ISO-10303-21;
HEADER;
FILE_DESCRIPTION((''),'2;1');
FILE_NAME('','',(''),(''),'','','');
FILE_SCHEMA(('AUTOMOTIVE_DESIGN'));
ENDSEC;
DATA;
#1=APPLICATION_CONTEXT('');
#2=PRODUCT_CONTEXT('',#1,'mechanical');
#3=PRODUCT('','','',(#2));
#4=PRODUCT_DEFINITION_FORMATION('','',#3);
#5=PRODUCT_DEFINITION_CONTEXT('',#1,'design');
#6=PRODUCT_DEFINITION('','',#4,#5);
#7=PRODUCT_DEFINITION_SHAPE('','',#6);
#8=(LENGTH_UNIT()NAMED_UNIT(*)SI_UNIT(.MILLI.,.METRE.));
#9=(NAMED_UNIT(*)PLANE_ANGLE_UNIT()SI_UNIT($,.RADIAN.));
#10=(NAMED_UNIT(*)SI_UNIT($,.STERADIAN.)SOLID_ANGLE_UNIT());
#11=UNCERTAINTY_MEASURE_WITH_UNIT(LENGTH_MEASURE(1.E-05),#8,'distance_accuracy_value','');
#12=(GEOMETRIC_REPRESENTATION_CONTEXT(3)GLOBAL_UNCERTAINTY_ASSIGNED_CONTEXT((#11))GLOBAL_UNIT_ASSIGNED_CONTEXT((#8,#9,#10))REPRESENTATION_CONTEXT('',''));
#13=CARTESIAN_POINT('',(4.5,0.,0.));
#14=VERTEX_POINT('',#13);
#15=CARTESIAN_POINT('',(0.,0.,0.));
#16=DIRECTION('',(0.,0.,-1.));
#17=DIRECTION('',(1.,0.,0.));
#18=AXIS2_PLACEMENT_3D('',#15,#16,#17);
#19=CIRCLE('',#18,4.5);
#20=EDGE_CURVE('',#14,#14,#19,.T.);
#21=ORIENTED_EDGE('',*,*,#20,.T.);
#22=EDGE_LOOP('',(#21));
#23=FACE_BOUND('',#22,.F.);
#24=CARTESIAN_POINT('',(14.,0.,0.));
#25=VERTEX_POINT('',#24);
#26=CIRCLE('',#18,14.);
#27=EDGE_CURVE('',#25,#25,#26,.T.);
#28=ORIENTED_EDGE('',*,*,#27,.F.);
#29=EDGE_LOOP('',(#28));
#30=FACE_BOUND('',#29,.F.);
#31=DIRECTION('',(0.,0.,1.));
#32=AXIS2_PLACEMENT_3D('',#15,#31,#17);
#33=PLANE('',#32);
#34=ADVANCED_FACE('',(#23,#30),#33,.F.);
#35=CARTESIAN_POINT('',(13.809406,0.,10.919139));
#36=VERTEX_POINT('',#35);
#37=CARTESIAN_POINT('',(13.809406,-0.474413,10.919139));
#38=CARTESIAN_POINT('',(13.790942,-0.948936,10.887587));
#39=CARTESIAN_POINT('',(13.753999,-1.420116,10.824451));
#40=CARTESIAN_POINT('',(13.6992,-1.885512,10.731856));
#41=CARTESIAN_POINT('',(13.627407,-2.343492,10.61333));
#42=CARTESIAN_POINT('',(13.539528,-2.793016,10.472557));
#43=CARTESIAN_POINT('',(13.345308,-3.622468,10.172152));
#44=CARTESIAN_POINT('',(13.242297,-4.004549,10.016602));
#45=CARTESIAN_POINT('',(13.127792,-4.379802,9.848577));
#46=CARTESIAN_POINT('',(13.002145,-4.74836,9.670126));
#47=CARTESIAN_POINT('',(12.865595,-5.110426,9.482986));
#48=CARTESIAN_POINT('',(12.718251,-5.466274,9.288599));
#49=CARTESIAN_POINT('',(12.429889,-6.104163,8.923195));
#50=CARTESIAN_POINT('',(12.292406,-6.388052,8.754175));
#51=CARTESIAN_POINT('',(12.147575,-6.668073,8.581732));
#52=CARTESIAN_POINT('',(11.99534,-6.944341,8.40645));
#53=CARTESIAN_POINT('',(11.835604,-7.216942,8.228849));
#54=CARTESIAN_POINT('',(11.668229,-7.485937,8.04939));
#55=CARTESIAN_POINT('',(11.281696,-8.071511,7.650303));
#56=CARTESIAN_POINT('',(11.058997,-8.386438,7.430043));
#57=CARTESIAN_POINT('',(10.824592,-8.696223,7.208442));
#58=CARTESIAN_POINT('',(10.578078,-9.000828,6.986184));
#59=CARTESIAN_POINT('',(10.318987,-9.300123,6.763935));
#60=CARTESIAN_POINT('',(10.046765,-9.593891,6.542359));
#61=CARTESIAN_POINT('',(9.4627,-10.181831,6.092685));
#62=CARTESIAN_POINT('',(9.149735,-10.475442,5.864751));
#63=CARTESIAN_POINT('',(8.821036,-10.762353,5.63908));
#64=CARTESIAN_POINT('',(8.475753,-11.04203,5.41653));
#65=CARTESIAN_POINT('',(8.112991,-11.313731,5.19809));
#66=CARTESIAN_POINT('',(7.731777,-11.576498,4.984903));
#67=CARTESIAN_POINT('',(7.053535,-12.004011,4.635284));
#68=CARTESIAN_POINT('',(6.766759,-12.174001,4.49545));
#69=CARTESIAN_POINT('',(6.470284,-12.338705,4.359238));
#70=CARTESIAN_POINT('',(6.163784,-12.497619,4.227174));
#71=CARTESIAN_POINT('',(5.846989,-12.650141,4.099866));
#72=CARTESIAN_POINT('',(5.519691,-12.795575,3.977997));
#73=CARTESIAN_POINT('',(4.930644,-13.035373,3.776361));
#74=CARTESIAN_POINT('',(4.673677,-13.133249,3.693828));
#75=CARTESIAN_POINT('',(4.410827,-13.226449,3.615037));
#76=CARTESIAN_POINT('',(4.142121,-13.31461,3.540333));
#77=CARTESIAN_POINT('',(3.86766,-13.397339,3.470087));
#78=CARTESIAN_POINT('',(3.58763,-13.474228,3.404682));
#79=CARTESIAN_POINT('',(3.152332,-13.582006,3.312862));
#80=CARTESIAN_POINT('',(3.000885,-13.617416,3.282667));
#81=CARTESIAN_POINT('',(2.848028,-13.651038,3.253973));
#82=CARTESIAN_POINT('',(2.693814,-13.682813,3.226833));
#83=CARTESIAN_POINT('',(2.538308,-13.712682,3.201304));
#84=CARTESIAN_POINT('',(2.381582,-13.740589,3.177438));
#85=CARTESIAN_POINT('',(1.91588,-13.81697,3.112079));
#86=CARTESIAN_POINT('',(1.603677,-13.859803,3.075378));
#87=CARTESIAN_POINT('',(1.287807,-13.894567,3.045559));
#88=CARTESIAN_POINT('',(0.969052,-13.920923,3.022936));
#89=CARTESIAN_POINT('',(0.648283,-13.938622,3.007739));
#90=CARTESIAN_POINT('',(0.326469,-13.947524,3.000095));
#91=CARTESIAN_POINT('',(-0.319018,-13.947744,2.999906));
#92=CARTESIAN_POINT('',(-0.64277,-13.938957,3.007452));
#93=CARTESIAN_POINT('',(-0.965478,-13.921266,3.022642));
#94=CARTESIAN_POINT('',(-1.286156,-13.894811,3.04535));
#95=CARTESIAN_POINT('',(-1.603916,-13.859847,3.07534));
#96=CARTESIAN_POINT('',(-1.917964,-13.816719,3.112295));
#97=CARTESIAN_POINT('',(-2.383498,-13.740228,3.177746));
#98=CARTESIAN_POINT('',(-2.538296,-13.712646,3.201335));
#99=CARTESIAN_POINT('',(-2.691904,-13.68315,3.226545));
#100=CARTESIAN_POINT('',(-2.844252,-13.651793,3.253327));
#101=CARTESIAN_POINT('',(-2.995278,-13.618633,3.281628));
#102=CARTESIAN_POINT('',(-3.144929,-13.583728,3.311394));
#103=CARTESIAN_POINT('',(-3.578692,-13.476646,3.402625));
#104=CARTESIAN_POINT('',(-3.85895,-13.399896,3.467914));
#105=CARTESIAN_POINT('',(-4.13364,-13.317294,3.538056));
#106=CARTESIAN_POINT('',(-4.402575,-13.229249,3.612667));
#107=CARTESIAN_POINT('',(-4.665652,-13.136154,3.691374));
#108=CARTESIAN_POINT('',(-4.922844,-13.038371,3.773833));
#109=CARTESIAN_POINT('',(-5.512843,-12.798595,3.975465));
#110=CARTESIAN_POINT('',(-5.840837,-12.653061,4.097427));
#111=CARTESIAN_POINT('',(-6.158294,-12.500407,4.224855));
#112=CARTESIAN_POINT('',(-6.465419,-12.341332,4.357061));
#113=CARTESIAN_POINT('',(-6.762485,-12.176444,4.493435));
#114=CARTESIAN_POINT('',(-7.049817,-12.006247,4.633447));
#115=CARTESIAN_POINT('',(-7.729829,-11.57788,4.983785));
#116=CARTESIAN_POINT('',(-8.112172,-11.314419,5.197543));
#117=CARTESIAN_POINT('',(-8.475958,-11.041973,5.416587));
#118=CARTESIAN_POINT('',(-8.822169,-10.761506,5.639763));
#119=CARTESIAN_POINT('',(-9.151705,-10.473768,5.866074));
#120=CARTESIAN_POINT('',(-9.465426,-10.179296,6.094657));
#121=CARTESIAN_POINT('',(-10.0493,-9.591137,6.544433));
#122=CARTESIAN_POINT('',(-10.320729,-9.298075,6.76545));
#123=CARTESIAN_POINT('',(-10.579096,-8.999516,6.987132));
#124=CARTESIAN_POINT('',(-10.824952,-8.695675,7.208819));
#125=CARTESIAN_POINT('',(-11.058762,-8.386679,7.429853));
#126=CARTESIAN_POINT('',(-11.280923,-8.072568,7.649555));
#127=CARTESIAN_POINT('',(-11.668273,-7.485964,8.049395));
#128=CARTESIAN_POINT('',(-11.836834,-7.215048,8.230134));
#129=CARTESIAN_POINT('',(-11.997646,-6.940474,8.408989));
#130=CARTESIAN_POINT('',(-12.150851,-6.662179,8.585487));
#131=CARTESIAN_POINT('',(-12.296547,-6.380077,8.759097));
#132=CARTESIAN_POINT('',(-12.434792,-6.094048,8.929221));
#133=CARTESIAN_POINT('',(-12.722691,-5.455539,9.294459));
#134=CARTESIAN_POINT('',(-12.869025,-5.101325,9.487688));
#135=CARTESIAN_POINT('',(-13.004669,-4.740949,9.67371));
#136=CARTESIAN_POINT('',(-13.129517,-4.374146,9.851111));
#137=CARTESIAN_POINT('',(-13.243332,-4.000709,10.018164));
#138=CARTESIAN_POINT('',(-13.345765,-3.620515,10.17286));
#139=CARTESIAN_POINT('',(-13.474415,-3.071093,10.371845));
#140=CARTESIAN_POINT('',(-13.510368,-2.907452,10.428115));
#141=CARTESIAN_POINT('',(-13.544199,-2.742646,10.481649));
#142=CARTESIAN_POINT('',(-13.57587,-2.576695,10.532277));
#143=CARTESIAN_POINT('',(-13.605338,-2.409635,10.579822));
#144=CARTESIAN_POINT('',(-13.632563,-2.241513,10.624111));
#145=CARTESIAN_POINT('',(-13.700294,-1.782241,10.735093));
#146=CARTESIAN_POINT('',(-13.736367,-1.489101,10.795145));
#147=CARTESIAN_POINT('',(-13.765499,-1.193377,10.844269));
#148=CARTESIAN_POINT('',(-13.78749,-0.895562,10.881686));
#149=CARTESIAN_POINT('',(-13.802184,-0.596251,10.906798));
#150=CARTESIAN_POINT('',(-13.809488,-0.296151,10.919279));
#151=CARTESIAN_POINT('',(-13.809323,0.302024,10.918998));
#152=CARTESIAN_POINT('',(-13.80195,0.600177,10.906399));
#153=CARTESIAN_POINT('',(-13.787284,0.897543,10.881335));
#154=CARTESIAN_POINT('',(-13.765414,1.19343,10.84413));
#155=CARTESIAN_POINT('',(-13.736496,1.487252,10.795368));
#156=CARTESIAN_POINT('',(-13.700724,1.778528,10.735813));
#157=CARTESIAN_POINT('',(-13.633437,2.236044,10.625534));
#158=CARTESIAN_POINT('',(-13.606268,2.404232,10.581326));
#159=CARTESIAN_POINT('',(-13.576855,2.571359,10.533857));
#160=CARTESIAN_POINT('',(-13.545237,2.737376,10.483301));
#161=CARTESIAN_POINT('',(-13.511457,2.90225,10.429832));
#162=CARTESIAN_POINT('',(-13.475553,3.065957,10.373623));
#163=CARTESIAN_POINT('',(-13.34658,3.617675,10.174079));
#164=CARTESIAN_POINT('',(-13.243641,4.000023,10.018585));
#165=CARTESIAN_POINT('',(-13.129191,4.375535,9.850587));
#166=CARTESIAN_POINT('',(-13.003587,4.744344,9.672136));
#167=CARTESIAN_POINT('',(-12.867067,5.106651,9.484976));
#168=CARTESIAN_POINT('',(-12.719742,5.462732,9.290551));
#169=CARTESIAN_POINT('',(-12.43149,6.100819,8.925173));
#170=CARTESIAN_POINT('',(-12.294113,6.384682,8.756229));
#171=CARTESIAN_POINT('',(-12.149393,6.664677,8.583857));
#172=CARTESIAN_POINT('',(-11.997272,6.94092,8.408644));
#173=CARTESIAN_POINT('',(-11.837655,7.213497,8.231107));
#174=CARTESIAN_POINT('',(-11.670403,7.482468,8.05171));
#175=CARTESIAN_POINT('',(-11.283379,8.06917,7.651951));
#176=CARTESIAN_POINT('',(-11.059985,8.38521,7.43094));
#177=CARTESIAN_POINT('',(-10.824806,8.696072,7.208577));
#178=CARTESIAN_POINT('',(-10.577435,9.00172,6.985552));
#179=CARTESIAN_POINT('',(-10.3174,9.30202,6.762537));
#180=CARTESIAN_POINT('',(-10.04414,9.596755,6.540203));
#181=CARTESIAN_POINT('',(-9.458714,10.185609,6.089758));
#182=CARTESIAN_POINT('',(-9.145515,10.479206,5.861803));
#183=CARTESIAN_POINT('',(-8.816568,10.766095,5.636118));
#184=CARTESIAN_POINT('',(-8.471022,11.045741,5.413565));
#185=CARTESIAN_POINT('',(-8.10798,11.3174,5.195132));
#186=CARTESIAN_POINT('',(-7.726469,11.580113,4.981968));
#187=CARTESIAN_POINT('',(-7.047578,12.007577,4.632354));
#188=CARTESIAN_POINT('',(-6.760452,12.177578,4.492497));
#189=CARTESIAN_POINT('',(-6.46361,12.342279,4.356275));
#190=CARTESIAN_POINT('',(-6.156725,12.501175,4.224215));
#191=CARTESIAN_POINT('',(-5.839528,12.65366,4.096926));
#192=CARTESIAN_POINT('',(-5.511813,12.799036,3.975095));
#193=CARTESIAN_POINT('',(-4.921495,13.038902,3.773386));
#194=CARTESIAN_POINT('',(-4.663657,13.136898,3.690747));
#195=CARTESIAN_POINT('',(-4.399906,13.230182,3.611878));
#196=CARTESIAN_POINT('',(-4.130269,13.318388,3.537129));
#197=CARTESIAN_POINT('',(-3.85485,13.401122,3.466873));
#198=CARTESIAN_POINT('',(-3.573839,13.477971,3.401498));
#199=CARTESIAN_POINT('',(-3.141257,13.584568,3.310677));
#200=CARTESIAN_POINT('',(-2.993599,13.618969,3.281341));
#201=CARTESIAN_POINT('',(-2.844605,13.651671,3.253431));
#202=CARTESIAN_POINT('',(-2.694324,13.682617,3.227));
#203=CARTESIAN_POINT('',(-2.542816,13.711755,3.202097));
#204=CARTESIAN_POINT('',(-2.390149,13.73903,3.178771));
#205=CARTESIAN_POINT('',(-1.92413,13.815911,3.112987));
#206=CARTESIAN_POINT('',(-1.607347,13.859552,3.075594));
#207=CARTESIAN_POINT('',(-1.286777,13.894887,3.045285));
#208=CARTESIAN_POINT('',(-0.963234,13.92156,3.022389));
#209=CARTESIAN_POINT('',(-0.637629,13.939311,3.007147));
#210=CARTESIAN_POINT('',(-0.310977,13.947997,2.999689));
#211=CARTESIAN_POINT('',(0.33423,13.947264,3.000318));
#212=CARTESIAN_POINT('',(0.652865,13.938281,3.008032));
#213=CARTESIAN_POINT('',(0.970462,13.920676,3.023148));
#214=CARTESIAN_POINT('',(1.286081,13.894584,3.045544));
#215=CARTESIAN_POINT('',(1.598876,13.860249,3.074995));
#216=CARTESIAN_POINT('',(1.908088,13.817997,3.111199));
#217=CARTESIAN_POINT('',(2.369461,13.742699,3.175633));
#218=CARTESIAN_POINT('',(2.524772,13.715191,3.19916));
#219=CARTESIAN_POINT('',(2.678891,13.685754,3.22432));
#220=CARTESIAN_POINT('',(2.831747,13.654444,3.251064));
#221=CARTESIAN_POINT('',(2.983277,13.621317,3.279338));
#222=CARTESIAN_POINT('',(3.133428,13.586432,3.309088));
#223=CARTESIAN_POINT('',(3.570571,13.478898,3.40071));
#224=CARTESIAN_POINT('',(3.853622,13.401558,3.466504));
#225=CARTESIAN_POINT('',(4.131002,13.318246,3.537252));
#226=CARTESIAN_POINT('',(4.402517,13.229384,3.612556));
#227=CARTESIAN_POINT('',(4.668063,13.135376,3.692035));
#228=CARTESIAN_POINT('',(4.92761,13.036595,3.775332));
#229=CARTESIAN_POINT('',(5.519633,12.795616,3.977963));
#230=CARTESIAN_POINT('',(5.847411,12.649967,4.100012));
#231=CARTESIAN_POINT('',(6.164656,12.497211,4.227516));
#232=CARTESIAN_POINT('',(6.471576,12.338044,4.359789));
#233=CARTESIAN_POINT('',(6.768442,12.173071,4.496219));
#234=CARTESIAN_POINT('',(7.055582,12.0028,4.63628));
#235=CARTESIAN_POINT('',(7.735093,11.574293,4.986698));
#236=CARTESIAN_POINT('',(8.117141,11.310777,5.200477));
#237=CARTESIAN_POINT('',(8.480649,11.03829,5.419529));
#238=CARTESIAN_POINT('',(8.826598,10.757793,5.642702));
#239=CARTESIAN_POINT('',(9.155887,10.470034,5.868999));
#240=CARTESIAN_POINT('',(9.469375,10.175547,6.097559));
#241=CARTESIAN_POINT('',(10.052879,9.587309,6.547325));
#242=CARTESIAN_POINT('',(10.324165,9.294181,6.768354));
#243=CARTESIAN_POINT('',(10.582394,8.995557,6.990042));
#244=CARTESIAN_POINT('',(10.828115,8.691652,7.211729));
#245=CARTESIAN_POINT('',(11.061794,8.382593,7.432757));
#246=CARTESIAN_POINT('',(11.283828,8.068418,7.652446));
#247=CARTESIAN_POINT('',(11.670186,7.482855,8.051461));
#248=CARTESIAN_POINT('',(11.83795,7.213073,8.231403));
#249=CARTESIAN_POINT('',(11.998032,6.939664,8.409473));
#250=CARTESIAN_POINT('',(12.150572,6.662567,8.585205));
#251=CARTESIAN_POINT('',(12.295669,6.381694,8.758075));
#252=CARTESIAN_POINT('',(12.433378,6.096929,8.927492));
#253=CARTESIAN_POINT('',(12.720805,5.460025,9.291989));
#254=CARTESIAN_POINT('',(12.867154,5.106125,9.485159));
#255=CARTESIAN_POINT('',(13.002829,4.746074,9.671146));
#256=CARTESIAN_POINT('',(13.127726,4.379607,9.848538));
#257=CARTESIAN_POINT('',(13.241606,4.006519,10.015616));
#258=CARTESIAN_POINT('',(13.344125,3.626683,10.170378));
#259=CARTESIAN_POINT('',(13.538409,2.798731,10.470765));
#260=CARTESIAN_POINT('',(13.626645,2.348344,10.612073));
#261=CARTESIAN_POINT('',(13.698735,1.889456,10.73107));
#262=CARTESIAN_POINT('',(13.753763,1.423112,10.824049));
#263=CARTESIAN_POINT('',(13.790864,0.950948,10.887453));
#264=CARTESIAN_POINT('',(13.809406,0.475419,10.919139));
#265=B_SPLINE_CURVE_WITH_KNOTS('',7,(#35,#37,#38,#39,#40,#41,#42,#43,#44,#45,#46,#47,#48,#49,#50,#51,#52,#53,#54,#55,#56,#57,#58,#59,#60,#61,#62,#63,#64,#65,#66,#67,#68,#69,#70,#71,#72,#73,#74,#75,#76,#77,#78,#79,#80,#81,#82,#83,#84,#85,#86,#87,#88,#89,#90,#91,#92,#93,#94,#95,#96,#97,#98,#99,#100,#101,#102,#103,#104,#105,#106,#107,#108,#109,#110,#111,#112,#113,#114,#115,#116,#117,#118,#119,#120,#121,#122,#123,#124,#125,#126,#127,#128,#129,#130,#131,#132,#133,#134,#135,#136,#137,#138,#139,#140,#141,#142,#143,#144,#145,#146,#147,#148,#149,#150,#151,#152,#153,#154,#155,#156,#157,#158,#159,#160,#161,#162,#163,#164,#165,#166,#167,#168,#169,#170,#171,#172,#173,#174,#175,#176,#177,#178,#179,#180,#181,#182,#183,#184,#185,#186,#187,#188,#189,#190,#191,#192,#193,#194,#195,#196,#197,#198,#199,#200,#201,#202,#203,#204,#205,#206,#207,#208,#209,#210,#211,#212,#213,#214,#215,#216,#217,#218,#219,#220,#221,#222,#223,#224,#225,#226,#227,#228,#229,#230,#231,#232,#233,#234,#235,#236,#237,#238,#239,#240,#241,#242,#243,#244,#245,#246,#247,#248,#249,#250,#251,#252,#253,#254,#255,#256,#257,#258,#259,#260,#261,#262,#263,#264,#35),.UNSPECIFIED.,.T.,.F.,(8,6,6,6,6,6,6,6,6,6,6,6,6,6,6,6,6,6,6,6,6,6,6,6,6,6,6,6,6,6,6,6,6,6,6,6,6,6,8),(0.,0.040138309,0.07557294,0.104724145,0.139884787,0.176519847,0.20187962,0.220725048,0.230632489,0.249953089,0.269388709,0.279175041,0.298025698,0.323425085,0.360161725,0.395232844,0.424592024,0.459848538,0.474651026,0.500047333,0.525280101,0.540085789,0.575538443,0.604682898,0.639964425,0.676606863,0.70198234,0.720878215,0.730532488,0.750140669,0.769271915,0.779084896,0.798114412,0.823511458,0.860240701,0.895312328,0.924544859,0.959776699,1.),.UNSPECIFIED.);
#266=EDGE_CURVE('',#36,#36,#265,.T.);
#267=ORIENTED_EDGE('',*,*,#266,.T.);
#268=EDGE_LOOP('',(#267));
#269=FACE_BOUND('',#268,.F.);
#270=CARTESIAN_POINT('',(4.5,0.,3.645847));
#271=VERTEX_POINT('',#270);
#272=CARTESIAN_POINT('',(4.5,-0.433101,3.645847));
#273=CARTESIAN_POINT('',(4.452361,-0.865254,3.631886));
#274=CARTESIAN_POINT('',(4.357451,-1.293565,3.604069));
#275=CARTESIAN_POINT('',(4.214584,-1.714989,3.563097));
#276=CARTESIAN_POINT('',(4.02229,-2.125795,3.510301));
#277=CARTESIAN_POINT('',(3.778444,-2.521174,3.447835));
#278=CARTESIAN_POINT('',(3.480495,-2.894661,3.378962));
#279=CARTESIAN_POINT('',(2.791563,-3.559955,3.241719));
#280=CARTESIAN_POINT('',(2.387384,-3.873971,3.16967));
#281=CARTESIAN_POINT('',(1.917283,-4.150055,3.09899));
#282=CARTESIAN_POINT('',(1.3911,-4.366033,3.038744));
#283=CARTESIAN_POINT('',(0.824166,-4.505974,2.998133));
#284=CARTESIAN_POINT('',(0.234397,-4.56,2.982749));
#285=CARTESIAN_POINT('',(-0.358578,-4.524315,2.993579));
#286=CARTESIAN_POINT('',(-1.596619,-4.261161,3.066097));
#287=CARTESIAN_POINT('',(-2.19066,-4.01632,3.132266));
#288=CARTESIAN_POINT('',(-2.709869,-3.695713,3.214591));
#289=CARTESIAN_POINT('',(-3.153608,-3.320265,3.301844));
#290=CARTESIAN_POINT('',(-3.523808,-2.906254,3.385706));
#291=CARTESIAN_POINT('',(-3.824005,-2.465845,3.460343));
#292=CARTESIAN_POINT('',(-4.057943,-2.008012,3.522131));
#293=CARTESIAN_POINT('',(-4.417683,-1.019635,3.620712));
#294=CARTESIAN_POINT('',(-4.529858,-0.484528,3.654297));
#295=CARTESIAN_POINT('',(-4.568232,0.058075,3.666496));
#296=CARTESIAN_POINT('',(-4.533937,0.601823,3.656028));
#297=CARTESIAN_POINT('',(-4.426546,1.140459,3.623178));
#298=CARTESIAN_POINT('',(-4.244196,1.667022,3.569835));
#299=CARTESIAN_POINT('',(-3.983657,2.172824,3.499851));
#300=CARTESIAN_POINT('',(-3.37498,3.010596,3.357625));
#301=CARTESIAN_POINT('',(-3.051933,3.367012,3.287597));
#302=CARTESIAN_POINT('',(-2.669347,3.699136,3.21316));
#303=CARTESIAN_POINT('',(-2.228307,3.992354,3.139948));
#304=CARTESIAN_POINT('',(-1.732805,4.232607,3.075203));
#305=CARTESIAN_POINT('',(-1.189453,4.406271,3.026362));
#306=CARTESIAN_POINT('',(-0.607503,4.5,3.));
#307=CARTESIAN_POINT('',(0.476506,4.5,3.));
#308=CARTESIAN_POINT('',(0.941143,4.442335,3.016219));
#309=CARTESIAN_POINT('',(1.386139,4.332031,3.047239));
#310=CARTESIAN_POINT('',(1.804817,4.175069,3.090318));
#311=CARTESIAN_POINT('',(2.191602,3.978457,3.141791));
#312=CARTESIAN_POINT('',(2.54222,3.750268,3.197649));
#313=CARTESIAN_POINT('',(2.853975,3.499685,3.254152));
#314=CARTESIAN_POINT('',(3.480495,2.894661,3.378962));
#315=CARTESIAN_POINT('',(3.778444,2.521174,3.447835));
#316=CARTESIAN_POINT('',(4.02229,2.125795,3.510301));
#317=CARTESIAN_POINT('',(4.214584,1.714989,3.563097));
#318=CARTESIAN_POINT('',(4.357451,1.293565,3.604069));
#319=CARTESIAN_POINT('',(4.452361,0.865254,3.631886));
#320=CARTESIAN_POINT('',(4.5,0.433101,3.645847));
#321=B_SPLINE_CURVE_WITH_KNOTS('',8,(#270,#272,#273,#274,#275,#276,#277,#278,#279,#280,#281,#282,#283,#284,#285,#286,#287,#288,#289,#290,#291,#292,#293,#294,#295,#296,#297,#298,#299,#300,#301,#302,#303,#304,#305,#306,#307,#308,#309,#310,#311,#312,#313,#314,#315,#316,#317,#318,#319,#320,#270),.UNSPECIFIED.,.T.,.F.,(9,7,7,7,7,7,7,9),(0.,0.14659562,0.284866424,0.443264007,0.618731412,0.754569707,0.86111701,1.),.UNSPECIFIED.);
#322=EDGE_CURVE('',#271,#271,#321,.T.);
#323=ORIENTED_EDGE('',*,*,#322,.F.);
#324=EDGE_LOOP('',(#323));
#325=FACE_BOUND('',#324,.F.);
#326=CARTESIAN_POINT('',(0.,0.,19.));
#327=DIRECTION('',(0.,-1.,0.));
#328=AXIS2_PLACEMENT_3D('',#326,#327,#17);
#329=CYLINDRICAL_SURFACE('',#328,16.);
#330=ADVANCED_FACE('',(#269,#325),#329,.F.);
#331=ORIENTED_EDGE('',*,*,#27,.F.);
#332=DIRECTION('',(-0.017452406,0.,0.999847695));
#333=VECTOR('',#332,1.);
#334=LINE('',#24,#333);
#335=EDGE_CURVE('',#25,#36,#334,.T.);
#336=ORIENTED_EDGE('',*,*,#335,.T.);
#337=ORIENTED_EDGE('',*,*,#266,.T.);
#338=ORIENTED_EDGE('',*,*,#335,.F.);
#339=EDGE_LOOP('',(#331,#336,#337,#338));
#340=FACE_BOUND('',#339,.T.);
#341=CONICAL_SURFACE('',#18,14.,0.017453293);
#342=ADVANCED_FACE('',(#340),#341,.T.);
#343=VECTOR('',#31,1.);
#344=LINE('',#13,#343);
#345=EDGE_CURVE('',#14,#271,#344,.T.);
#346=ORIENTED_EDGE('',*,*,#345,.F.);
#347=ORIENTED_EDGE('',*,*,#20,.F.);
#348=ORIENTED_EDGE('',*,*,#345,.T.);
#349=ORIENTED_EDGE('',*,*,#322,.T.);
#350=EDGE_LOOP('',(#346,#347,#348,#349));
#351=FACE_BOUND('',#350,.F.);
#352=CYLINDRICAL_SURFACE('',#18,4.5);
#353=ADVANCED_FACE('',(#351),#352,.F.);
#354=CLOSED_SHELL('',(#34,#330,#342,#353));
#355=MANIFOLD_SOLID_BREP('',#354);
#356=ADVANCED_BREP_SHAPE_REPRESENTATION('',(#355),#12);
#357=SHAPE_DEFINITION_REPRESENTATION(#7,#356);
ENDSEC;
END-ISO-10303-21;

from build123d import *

# Parameters (mm, degrees)
F0_R     = 14
F1_DEPTH = 12
F1_TAPER = 1
F2_R     = 16
F3_DEPTH = 16
F4_R     = 4.5
F5_DEPTH = 5


with BuildPart() as f1:
    # F0 (on Top) → F1 (new body)
    with BuildSketch(Plane.XY):
        Circle(F0_R)
    extrude(amount=F1_DEPTH, taper=F1_TAPER)

    # F2 (on Front) → F3 (cut, symmetric)
    with BuildSketch(Plane.XZ):
        with Locations((0, 19)):
            Circle(F2_R)
    extrude(amount=F3_DEPTH, both=True, mode=Mode.SUBTRACT)

    # F4 (on face) → F5 (cut)
    with BuildSketch(Plane(origin=(0, 0, 0), x_dir=(1, 0, 0), z_dir=(0, 0, -1))):
        Circle(F4_R)
    extrude(amount=-F5_DEPTH, mode=Mode.SUBTRACT)


solid = f1.part
